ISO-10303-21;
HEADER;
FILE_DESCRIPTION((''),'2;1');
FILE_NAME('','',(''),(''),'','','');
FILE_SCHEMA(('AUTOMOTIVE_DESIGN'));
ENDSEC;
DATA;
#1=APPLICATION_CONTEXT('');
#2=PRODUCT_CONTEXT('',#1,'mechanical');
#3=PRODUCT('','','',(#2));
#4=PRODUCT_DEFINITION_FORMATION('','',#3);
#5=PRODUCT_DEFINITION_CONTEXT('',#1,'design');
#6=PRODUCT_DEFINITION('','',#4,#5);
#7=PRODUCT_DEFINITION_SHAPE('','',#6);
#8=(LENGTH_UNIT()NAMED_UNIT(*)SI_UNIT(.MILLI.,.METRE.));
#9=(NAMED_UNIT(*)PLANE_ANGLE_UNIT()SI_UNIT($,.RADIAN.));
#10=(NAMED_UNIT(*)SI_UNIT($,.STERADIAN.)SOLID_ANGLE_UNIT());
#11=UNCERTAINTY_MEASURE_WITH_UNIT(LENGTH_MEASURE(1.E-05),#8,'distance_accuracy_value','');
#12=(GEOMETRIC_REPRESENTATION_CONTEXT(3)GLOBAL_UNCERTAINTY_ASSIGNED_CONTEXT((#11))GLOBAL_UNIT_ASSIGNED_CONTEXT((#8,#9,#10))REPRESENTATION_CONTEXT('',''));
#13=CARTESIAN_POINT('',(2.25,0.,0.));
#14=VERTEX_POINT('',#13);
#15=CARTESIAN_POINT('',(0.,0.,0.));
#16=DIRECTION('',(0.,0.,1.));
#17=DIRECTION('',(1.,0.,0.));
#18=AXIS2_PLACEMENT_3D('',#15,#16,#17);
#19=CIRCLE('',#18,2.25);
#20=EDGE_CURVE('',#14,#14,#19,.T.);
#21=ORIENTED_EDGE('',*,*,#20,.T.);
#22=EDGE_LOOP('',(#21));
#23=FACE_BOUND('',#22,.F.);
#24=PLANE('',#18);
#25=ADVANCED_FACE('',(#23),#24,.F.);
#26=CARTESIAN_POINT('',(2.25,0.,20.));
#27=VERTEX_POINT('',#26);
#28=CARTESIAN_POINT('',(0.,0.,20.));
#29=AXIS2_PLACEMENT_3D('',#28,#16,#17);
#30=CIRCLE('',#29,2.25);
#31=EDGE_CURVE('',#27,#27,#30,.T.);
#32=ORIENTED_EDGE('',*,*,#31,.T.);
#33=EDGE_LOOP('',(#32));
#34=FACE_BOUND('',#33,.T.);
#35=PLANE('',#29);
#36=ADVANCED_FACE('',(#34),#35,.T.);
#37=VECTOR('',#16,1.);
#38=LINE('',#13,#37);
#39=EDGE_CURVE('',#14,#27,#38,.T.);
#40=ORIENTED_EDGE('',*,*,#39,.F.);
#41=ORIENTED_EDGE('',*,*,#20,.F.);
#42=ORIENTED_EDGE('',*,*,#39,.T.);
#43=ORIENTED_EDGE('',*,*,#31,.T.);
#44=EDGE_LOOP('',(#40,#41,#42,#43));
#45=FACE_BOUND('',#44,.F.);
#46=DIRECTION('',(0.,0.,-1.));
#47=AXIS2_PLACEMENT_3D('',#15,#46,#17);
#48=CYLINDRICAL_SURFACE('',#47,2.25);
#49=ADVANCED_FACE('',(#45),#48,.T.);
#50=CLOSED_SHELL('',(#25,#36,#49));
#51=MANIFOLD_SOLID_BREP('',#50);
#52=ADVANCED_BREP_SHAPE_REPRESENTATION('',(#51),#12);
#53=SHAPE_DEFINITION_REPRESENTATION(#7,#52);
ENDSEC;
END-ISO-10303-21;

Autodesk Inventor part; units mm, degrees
ref_plane "YZ Plane" through (0, 0, 0) normal (1, 0, 0) x (0, 1, 0)
ref_plane "XZ Plane" through (0, 0, 0) normal (0, 1, 0) x (-1, 0, 0)
ref_plane "XY Plane" through (0, 0, 0) normal (0, 0, 1) x (1, 0, 0)
sketch "Sketch1" plane through (0, 0, 0) normal (0, 0, 1) x (1, 0, 0)
  circle A0 centre (0, 0) radius 2.25
  dimension "d0" = 4.5
extrude "Extrusion1" add sketch "Sketch1" along normal blind 20
properties part number "Hinge"
